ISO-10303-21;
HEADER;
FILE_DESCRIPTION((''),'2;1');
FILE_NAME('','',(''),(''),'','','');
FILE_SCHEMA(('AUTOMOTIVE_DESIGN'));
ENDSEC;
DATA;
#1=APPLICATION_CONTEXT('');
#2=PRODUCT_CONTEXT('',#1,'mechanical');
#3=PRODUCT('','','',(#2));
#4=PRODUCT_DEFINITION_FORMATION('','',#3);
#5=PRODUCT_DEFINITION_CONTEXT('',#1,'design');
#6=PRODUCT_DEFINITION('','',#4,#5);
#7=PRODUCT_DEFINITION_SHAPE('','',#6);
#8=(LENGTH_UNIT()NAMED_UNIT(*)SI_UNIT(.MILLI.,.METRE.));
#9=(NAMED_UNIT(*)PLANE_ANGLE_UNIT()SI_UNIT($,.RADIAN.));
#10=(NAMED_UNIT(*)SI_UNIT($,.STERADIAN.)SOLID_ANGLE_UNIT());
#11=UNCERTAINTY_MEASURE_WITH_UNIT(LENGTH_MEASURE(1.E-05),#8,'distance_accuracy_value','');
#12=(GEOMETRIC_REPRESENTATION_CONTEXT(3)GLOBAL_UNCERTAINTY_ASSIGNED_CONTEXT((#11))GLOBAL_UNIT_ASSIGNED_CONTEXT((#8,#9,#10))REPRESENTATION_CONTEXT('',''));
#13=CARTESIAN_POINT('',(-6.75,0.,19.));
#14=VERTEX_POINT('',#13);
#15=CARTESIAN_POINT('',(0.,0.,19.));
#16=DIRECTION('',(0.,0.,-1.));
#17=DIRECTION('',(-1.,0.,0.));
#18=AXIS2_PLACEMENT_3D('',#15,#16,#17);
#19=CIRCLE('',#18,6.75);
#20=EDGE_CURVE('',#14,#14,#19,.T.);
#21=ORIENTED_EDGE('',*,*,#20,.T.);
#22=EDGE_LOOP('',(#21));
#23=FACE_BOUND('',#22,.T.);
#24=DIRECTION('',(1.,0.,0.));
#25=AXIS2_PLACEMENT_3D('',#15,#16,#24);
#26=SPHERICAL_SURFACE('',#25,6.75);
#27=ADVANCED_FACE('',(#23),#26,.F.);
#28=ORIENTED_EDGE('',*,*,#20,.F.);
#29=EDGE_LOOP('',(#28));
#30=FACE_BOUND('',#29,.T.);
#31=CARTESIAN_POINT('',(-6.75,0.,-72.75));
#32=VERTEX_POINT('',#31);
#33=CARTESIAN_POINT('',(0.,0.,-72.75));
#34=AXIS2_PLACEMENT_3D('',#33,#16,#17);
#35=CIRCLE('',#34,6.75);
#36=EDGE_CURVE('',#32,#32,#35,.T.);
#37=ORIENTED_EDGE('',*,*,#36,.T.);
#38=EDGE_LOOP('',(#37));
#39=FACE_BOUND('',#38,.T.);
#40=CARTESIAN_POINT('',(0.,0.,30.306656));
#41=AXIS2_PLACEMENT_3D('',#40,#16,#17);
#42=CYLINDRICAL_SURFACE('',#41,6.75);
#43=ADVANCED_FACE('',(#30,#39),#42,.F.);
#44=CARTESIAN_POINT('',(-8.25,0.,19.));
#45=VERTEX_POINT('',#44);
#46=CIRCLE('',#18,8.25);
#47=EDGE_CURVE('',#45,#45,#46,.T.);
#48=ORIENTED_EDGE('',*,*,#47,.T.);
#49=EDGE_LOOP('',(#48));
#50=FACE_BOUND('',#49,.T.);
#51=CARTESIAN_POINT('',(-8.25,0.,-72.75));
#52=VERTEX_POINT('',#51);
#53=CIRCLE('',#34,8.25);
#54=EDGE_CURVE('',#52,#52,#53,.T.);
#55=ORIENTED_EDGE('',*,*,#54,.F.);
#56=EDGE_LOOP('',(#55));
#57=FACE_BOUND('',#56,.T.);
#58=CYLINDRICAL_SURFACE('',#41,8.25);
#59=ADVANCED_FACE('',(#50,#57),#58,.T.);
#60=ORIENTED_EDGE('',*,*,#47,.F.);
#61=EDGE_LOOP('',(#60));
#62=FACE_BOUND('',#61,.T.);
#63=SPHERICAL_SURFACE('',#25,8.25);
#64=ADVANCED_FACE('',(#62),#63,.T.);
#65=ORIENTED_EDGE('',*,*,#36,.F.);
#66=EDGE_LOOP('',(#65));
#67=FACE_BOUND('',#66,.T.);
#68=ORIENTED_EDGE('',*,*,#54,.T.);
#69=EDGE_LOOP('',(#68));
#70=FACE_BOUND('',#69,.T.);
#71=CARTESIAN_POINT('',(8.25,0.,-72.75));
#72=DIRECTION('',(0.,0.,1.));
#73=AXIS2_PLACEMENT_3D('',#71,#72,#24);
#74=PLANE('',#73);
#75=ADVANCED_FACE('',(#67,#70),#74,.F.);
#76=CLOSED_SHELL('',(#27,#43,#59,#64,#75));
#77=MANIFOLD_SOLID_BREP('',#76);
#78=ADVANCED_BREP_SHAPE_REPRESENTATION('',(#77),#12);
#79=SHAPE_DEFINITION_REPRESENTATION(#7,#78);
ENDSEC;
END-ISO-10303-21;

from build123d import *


with BuildPart() as part:
    # Croquis1 → Revolución1 (revolve)
    with BuildSketch(Plane(origin=(0, 0, 0), x_dir=(1, 0, 0), z_dir=(0, 1, 0)), mode=Mode.PRIVATE) as revoluci_n1_sk:
        with BuildLine():
            Line((0, -27.25), (0, -25.75))
            ThreePointArc((0, -25.75), (4.772970773, -23.772970773), (6.75, -19))
            Line((6.75, -19), (6.75, 72.75))
            Line((6.75, 72.75), (8.25, 72.75))
            Line((8.25, 72.75), (8.25, -19))
            ThreePointArc((8.25, -19), (5.833630945, -24.833630945), (0, -27.25))
        make_face()
    revolve(revoluci_n1_sk.sketch.rotate(Axis((0, 0, 30.306656457), (0, 0, -1)), 180), axis=Axis((0, 0, 30.306656457), (0, 0, -1)))


solid = part.part
